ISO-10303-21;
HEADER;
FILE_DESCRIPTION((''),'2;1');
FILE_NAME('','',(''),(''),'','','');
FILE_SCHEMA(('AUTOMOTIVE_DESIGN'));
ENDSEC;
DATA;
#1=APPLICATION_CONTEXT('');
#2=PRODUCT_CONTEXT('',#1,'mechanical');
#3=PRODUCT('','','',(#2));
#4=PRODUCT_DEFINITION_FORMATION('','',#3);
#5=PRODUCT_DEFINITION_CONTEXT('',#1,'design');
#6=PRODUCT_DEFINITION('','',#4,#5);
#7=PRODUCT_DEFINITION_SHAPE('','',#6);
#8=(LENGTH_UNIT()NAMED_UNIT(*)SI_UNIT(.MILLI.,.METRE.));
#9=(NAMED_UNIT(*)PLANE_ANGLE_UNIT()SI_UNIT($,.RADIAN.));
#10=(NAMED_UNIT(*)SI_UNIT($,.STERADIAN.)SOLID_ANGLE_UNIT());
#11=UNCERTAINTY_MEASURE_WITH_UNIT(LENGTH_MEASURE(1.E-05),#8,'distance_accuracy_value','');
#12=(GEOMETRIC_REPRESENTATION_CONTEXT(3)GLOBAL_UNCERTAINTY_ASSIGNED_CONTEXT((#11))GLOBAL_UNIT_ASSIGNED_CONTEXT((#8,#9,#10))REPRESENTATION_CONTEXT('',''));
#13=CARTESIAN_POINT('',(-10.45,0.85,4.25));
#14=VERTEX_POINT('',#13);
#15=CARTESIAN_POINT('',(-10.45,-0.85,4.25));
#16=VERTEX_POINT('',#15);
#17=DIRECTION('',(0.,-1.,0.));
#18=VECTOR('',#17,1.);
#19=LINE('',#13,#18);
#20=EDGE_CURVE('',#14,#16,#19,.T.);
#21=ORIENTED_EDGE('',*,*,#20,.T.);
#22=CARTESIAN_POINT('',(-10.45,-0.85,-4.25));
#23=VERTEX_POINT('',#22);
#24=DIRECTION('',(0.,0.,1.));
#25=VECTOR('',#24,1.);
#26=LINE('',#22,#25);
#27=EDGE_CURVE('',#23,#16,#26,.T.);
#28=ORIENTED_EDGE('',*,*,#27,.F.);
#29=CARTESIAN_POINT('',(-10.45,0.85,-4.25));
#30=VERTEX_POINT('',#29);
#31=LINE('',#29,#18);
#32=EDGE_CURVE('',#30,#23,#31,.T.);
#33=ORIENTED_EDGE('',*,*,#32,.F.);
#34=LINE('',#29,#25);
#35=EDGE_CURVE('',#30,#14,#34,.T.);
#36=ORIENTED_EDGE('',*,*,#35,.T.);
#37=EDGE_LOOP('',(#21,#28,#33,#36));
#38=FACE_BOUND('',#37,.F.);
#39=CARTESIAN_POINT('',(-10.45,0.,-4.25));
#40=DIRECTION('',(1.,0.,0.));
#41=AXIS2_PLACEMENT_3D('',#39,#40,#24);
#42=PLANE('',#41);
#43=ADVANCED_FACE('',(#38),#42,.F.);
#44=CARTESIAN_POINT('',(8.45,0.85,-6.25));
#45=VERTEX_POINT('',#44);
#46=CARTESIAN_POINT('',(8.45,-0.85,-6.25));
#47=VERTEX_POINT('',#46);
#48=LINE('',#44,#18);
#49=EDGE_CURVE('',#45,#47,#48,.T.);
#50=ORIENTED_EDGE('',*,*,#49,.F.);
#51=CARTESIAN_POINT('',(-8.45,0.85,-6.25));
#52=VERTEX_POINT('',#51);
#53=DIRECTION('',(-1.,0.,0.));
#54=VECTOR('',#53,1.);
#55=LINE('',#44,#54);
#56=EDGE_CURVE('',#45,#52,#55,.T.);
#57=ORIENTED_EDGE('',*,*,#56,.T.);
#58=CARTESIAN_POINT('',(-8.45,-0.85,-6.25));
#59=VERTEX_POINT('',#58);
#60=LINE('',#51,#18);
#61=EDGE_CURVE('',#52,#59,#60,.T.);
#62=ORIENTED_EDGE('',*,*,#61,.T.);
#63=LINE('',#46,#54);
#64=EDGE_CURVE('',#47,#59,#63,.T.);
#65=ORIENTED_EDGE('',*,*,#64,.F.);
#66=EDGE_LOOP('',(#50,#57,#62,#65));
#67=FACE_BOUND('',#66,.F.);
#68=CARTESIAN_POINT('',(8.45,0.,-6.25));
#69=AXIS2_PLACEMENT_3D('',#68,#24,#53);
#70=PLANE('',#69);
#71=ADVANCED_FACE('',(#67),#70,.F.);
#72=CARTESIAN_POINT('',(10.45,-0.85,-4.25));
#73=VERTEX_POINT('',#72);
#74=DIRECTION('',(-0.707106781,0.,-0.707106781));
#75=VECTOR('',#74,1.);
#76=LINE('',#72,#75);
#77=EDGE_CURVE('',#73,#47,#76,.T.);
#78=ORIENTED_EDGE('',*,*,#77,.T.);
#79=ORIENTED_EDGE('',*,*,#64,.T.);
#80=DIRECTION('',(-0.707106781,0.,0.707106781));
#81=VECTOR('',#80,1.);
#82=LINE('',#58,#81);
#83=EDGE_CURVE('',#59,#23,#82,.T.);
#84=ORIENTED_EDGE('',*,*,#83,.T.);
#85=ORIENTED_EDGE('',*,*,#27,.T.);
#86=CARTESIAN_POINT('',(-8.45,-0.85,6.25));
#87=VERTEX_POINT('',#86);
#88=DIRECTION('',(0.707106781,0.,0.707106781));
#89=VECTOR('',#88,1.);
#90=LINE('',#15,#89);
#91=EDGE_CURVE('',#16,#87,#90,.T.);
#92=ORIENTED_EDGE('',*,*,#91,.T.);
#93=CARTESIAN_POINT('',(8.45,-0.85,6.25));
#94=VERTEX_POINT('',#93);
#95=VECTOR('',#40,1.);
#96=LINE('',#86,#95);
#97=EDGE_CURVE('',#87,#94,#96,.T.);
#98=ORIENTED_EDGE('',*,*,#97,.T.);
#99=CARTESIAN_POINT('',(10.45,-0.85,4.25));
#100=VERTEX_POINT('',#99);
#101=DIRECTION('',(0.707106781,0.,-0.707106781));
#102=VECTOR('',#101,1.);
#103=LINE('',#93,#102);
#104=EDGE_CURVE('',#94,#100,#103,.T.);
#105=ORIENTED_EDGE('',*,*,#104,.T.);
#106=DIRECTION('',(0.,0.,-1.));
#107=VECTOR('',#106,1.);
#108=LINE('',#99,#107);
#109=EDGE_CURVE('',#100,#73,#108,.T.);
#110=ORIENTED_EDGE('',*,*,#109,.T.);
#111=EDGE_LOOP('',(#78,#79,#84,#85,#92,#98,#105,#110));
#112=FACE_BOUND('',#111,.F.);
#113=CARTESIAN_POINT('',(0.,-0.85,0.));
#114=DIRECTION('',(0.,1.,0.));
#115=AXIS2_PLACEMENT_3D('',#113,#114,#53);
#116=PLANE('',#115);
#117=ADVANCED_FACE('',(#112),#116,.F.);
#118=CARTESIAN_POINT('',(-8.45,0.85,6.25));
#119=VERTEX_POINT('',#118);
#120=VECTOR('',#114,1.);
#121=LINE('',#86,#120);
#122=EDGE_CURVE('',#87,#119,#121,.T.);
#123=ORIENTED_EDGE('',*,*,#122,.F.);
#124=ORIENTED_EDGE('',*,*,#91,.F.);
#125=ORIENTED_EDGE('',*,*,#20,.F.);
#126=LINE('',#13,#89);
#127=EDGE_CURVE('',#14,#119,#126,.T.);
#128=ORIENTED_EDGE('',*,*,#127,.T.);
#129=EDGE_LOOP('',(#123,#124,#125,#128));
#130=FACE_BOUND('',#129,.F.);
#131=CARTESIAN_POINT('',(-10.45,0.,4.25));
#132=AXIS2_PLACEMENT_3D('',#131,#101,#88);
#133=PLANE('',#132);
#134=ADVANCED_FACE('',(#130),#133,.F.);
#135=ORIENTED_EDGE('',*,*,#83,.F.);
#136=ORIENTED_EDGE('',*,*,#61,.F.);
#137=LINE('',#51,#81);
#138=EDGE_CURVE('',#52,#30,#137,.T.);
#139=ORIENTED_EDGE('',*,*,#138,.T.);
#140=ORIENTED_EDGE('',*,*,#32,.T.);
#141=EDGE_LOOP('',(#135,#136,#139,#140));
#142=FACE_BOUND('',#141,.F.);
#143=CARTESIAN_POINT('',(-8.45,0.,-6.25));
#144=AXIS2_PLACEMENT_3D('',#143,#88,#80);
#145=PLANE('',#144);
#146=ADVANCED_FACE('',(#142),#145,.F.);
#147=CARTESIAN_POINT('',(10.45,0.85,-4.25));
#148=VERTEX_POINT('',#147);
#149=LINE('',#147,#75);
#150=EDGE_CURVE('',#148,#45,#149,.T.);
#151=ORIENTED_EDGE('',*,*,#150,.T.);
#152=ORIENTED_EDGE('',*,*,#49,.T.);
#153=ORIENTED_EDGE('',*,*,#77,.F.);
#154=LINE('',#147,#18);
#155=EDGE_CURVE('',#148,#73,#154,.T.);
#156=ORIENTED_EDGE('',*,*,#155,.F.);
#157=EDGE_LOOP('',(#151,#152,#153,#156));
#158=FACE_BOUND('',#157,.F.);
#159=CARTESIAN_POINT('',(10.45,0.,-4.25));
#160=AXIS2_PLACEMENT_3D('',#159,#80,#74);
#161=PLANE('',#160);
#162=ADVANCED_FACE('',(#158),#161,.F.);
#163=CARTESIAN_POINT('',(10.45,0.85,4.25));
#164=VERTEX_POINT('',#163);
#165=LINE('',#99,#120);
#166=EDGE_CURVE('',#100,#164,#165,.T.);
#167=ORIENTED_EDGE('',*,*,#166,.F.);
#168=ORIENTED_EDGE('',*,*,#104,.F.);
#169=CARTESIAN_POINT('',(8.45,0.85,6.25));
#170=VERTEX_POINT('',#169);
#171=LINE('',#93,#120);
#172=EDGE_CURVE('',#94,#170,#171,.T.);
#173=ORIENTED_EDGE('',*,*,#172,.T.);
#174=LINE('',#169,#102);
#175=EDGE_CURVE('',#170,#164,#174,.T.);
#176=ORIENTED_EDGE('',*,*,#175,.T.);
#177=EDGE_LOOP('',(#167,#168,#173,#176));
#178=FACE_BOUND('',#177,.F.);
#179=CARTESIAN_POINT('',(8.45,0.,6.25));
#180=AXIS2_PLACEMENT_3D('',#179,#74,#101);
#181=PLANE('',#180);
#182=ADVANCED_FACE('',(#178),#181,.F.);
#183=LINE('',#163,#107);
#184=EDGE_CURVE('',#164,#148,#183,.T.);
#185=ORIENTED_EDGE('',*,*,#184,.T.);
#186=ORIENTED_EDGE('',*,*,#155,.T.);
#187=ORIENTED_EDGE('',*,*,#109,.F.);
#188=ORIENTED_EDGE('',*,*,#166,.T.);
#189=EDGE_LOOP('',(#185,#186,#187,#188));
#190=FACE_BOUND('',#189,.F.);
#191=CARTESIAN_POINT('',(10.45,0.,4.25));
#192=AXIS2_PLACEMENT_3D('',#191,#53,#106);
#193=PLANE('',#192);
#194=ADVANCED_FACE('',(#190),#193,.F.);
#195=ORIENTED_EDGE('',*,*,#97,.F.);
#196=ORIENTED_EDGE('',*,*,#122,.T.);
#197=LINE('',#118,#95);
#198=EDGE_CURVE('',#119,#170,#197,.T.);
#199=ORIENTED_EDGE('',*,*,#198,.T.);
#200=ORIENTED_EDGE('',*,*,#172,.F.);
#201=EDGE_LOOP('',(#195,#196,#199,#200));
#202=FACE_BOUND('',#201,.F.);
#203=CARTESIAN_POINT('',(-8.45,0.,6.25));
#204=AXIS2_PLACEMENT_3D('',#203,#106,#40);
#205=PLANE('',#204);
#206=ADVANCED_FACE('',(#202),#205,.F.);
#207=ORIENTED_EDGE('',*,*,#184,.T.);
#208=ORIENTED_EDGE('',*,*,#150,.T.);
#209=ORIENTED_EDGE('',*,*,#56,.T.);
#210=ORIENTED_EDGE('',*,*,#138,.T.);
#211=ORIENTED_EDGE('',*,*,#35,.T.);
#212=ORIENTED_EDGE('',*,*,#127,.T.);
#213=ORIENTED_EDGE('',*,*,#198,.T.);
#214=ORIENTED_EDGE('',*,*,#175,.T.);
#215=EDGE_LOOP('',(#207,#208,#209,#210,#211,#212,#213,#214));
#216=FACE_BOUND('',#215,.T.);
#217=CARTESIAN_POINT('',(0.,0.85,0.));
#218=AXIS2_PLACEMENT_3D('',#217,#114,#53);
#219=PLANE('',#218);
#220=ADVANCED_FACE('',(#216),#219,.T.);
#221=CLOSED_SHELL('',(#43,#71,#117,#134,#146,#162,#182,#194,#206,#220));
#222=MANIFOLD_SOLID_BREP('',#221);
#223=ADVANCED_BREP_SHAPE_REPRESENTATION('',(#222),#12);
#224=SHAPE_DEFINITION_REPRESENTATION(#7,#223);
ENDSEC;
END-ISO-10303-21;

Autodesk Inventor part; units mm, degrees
ref_plane "YZ Plane" through (0, 0, 0) normal (1, 0, 0) x (0, 1, 0)
ref_plane "XZ Plane" through (0, 0, 0) normal (0, 1, 0) x (-1, 0, 0)
ref_plane "XY Plane" through (0, 0, 0) normal (0, 0, 1) x (1, 0, 0)
sketch "Sketch1" plane through (0, 0, 0) normal (0, 1, 0) x (-1, 0, 0)
  line L0 (8.45, 6.25) -> (-8.45, 6.25)
  line L1 (-10.45, 4.25) -> (-10.45, -4.25)
  line L2 (-8.45, -6.25) -> (8.45, -6.25)
  line L3 (10.45, -4.25) -> (10.45, 4.25)
  line L4 (10.45, 6.25) -> (-10.45, -6.25) construction
  line L5 (-10.45, 6.25) -> (10.45, -6.25) construction
  line L6 (8.45, -6.25) -> (10.45, -4.25)
  line L7 (10.45, 4.25) -> (8.45, 6.25)
  line L8 (-8.45, 6.25) -> (-10.45, 4.25)
  line L9 (-10.45, -4.25) -> (-8.45, -6.25)
  point P0 (0, 0)
  dimension "d0" = 20.9
  dimension "d1" = 12.5
  dimension "d2" = 2
  dimension "d3" = 2
extrude "Extrusion1" add sketch "Sketch1" along normal mid plane 1.7
equation "\"d0\" = CMWidth"
equation "\"d1\" = CMLength"
equation "\"d2\" = CMChamfer"
equation "\"d3\" = d2"
equation "\"CMWidth\" = 20.9"
equation "\"CMLength\" = 12.5"
equation "\"CMChamfer\" = 2"
properties part number "ControlMarker_Single" material "Paper"
